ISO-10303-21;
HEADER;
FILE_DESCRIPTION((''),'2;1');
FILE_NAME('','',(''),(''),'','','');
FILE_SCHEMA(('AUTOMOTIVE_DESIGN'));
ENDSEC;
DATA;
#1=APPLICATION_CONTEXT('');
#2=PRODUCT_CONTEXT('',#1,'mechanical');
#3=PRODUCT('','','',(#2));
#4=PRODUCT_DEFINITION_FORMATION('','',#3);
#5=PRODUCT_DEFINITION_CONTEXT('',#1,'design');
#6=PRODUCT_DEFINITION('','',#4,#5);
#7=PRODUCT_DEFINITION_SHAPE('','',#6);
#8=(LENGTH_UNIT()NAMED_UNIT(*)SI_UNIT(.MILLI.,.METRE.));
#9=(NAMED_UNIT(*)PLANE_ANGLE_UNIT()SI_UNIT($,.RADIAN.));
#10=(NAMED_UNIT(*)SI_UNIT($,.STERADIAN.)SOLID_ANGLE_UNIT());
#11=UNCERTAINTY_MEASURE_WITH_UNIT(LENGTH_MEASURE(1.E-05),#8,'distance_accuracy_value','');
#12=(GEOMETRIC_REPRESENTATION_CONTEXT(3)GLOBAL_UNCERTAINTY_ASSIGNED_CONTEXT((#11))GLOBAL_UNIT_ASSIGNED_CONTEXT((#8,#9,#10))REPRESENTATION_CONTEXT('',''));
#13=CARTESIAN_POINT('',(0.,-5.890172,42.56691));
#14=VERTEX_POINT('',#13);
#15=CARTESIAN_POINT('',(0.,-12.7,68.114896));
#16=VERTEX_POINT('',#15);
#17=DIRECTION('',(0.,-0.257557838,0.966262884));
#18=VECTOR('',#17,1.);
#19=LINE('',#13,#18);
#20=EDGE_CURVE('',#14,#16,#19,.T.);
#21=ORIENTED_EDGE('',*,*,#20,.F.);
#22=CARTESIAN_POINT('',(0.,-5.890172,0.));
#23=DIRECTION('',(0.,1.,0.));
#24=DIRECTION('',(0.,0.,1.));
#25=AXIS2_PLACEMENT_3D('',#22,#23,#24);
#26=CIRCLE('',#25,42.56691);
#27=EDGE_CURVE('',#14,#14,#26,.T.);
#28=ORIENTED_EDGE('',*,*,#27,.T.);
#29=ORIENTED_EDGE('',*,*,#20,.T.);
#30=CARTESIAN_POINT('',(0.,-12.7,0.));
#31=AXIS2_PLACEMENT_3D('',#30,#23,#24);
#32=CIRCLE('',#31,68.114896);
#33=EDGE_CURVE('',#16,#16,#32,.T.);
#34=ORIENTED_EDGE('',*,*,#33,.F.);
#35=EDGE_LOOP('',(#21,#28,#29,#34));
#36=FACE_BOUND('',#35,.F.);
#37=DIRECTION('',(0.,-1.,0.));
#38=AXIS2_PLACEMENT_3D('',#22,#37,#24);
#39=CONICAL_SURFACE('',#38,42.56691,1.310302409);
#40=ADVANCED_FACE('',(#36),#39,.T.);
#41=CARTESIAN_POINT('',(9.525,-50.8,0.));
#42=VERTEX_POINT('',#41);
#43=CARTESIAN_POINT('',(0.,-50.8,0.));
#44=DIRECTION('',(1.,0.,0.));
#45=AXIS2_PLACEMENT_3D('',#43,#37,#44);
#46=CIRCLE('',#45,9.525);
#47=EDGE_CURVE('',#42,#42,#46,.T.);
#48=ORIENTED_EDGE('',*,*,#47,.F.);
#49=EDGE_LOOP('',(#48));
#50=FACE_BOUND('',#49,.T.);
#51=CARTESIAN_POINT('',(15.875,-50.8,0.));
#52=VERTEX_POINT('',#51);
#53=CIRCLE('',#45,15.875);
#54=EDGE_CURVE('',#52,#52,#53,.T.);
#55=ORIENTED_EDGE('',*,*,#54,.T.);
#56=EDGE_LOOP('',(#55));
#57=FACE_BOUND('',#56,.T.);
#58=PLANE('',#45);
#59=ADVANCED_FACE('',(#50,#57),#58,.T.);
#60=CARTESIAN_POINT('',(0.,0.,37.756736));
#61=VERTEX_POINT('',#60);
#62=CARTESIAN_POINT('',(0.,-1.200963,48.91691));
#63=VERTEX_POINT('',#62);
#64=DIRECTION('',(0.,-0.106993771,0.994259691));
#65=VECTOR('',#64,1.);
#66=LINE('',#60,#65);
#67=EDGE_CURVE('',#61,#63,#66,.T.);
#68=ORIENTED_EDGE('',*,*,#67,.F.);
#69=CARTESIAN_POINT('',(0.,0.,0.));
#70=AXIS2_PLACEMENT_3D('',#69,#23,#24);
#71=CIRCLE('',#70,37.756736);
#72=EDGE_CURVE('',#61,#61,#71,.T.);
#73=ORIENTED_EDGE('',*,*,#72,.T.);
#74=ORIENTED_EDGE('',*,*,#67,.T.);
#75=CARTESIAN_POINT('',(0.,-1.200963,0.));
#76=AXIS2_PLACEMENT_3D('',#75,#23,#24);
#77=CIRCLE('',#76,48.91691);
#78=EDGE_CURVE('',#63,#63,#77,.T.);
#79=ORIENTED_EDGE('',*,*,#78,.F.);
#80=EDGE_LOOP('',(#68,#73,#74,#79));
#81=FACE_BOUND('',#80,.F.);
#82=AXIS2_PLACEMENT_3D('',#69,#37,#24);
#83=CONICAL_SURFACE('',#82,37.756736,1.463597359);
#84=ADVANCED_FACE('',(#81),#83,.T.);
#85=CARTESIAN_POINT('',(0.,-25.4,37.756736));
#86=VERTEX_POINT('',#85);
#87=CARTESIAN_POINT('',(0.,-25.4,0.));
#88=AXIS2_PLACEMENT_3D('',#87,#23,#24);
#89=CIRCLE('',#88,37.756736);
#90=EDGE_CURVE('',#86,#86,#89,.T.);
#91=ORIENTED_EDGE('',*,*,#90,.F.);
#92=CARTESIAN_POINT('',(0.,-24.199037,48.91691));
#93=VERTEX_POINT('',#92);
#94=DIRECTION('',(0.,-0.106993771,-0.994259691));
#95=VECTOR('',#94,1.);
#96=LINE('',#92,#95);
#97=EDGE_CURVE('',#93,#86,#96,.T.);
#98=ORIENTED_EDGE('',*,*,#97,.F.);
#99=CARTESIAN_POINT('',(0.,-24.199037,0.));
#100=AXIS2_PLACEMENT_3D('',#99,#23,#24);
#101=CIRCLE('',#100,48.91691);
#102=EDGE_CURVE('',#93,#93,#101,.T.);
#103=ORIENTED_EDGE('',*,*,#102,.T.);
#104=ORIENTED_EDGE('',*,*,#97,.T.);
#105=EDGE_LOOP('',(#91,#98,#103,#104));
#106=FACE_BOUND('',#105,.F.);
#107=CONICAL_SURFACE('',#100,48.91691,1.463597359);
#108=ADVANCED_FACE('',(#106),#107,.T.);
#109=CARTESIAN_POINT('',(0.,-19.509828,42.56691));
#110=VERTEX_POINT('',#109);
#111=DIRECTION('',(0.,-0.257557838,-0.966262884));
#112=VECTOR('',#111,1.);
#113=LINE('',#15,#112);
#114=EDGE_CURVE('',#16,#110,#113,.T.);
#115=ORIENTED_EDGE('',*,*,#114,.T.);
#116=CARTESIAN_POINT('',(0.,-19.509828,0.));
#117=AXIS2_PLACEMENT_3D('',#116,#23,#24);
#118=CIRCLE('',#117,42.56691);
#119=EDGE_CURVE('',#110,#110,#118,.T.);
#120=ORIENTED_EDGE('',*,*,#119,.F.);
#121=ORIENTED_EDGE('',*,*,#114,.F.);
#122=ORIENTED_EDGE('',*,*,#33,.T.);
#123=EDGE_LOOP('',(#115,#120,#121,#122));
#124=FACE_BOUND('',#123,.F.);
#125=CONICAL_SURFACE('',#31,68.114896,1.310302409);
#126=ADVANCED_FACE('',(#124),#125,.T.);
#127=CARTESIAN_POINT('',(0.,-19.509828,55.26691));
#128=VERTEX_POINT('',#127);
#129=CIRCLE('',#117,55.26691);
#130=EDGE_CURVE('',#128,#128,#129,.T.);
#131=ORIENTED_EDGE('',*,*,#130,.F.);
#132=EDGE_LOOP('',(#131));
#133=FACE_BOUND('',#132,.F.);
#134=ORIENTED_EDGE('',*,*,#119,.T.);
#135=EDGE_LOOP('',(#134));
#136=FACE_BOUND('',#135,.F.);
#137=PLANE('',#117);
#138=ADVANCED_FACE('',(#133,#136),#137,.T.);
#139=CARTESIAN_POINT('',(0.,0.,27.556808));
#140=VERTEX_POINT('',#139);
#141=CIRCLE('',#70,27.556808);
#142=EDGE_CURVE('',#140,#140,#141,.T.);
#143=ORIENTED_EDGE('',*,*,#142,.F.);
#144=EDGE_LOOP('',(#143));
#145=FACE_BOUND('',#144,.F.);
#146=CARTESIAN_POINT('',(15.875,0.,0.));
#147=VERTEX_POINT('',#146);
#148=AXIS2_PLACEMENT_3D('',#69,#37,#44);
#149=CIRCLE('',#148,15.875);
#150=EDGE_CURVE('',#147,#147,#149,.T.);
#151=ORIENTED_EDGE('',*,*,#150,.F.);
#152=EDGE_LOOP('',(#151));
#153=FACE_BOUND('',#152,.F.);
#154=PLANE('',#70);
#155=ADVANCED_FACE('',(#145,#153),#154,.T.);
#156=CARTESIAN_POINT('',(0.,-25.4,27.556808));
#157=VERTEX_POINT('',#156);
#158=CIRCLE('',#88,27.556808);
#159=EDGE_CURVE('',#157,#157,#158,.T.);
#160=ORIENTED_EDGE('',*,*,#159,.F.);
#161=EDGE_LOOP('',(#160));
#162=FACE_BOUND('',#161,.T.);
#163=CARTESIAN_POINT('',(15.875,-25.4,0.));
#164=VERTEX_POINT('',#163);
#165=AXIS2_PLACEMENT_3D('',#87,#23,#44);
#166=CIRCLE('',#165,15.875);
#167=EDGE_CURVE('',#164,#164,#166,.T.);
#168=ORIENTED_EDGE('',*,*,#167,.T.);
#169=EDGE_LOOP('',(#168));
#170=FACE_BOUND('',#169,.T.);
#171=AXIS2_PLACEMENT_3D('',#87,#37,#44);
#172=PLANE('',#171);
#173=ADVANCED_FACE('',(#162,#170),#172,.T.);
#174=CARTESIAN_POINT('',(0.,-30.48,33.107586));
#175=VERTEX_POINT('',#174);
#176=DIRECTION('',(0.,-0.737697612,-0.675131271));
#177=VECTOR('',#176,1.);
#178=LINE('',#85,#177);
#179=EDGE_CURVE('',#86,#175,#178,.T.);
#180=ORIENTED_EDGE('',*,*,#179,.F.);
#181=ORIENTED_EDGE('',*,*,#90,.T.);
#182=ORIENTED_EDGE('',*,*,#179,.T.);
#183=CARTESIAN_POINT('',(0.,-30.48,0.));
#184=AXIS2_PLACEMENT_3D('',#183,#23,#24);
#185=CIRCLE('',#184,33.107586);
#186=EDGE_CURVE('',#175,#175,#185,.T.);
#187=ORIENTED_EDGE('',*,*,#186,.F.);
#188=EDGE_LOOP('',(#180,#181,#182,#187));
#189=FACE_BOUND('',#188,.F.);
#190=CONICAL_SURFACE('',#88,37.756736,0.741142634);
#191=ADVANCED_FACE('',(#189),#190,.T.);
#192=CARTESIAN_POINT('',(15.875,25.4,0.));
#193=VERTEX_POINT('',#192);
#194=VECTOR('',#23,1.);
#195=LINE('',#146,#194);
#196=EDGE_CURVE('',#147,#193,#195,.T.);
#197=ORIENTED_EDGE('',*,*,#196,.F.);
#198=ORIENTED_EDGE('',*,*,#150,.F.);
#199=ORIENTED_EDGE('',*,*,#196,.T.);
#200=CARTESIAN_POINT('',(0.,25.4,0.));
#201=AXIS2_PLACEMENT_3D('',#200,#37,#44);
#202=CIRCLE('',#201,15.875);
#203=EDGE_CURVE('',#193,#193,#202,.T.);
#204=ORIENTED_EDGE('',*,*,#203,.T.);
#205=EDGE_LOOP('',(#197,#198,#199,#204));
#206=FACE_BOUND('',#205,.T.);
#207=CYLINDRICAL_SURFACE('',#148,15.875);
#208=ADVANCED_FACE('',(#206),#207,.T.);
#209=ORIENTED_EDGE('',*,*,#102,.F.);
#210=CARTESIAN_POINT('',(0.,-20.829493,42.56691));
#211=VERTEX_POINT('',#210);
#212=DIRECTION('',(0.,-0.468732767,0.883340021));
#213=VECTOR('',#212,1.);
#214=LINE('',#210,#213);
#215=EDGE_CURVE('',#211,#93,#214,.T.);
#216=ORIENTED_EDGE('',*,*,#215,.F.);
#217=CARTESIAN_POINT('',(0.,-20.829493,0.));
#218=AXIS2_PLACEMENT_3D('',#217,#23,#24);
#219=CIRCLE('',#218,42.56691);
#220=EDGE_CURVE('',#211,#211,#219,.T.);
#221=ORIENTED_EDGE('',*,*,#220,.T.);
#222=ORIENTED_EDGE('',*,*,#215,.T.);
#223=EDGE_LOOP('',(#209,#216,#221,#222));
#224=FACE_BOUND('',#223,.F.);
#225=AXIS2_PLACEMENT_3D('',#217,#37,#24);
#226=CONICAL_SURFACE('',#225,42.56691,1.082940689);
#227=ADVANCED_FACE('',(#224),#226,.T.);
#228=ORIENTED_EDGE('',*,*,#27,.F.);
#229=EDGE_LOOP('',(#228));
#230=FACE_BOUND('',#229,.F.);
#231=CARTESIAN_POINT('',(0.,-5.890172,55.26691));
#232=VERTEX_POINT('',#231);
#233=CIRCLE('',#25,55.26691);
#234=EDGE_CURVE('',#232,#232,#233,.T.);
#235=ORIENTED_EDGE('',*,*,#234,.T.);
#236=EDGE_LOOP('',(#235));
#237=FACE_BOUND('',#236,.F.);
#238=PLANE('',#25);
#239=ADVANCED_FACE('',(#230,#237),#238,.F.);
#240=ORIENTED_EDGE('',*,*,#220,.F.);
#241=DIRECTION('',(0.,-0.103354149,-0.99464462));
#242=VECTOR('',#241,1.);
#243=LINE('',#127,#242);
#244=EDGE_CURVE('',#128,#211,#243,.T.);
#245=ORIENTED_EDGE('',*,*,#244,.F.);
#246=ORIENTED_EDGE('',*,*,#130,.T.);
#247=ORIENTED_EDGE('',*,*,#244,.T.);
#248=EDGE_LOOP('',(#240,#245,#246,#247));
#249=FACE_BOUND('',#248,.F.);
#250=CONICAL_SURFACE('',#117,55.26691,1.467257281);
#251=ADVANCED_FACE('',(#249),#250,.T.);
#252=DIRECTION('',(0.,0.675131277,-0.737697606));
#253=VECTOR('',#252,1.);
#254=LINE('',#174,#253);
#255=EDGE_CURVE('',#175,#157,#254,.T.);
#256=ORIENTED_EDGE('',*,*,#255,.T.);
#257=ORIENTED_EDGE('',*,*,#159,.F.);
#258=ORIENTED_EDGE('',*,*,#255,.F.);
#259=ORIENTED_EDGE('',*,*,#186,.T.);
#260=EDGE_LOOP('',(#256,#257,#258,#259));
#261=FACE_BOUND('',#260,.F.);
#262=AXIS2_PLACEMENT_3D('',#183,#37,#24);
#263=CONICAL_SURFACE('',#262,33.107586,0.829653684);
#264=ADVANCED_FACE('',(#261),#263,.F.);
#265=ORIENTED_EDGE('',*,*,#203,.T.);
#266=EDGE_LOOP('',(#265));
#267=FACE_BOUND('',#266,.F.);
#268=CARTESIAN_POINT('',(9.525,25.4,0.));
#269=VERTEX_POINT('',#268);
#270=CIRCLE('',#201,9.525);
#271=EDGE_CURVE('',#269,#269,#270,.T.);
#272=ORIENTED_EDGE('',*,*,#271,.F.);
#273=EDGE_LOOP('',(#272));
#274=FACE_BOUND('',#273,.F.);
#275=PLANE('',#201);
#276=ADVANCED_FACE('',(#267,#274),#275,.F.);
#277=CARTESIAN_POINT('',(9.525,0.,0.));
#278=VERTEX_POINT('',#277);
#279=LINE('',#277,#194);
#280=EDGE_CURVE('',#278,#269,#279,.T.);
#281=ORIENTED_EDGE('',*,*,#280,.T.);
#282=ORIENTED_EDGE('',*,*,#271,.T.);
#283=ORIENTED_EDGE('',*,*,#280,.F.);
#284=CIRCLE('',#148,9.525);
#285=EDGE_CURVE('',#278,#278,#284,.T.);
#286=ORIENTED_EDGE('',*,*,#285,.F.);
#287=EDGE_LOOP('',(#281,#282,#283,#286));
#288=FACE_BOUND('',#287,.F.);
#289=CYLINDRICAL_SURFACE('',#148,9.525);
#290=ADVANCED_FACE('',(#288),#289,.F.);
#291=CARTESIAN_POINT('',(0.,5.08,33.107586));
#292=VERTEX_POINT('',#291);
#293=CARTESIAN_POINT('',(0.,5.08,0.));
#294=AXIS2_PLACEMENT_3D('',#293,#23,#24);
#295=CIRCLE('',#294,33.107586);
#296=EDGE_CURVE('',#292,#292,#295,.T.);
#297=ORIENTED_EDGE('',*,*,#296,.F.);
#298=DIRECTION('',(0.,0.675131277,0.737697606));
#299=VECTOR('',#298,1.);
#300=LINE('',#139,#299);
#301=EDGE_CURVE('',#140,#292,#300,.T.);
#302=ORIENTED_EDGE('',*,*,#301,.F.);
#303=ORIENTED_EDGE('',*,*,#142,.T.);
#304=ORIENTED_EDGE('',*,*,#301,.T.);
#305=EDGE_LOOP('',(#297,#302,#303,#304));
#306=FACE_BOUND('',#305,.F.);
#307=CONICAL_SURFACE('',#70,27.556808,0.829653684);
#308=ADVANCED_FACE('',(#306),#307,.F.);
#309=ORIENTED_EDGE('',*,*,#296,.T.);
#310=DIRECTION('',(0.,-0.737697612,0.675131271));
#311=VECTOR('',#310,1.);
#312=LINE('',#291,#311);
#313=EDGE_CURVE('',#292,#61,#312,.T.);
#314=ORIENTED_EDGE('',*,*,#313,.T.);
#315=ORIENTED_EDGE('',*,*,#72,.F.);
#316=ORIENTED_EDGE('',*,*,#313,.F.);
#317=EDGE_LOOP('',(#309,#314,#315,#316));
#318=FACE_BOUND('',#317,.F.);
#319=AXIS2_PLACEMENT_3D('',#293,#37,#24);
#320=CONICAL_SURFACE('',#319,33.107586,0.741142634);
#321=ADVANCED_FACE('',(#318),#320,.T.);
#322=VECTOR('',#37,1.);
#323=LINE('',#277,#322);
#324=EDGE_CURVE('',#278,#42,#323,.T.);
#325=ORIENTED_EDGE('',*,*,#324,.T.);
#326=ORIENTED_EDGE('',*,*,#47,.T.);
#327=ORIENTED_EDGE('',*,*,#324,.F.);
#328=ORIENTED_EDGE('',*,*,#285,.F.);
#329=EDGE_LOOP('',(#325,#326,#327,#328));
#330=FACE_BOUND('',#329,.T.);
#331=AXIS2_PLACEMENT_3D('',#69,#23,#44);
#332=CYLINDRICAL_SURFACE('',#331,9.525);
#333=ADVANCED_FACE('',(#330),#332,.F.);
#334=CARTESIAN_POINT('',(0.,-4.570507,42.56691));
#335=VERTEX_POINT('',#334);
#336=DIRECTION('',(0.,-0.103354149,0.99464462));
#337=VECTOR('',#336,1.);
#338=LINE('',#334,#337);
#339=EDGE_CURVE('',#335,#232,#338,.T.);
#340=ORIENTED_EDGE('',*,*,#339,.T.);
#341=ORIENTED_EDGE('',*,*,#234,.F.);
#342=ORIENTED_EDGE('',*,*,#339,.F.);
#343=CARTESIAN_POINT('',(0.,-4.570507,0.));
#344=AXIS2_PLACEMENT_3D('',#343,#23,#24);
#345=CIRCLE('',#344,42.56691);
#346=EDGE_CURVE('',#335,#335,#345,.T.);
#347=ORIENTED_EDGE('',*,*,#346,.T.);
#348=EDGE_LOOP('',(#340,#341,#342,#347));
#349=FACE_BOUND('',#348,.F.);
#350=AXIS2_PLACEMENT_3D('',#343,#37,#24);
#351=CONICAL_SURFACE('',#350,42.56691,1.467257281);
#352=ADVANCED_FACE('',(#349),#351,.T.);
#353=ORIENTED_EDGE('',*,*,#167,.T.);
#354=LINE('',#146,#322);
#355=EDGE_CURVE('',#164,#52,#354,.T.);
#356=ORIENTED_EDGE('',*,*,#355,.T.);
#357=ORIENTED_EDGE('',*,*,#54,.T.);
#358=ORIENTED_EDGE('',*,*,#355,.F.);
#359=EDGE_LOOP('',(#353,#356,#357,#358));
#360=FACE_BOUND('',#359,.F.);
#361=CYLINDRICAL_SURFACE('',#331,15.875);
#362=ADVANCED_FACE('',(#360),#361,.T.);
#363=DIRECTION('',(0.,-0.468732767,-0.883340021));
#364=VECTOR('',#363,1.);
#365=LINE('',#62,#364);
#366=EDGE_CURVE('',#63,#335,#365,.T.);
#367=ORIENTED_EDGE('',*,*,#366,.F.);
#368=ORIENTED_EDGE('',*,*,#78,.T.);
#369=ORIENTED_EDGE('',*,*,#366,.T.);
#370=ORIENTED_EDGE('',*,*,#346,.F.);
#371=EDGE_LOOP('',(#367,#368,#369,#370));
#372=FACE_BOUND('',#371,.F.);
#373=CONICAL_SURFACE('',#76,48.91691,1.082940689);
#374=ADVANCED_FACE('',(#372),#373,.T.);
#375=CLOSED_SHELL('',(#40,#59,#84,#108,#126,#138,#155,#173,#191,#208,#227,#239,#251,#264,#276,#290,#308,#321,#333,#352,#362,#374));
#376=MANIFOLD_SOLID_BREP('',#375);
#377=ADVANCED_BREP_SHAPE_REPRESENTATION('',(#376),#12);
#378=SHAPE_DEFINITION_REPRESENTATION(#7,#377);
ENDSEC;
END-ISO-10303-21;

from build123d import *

# Parameters (mm, degrees)
F0_R     = 15.875
F0_R_2   = 9.525
F1_DEPTH = 25.4
F4_DEPTH = 50.8
F5_DEPTH = 25.4


with BuildPart() as f1:
    # F0 (on Front) → F1 (new body)
    with BuildSketch(Plane.XZ):
        Circle(F0_R)
        Circle(F0_R_2, mode=Mode.SUBTRACT)
    extrude(amount=F1_DEPTH)

    # F2 (on Right) → F3 (revolve)
    with BuildSketch(Plane.YZ):
        Polygon((-25.4, 27.556808), (-25.4, 15.875), (-12.7, 15.875), (-12.7, 42.56691), (-19.509828, 42.56691), (-20.829493, 42.56691), (-25.4, 37.756736), (-25.4, 33.107586), align=None)
        Polygon((-12.7, 42.56691), (-12.7, 15.875), (0, 15.875), (0, 27.556808), (0, 33.107586), (0, 37.756736), (-1.200963, 48.91691), (-4.570507, 42.56691), (-5.890172, 42.56691), align=None)
        Polygon((0, 33.107586), (0, 27.556808), (5.08, 33.107586), align=None)
        Polygon((0, 33.107586), (5.08, 33.107586), (0, 37.756736), align=None)
        Polygon((-30.48, 33.107586), (-25.4, 27.556808), (-25.4, 33.107586), align=None)
        Polygon((-30.48, 33.107586), (-25.4, 33.107586), (-25.4, 37.756736), align=None)
        Polygon((-24.199037, 48.91691), (-25.4, 37.756736), (-20.829493, 42.56691), align=None)
        Polygon((-20.829493, 42.56691), (-19.509828, 42.56691), (-19.509828, 55.26691), align=None)
        Polygon((-19.509828, 42.56691), (-12.7, 42.56691), (-12.7, 68.114896), align=None)
        Polygon((-12.7, 68.114896), (-12.7, 42.56691), (-5.890172, 42.56691), align=None)
        Polygon((-5.890172, 55.26691), (-5.890172, 42.56691), (-4.570507, 42.56691), align=None)
    revolve(axis=Axis((0, 0, 0), (0, 1, 0)))

    # F0 (on Front) → F4 (join)
    with BuildSketch(Plane.XZ):
        Circle(F0_R)
        Circle(F0_R_2, mode=Mode.SUBTRACT)
    extrude(amount=F4_DEPTH)

    # F0 (on Front) → F5 (join)
    with BuildSketch(Plane.XZ):
        Circle(F0_R)
        Circle(F0_R_2, mode=Mode.SUBTRACT)
    extrude(amount=-F5_DEPTH)


solid = f1.part
